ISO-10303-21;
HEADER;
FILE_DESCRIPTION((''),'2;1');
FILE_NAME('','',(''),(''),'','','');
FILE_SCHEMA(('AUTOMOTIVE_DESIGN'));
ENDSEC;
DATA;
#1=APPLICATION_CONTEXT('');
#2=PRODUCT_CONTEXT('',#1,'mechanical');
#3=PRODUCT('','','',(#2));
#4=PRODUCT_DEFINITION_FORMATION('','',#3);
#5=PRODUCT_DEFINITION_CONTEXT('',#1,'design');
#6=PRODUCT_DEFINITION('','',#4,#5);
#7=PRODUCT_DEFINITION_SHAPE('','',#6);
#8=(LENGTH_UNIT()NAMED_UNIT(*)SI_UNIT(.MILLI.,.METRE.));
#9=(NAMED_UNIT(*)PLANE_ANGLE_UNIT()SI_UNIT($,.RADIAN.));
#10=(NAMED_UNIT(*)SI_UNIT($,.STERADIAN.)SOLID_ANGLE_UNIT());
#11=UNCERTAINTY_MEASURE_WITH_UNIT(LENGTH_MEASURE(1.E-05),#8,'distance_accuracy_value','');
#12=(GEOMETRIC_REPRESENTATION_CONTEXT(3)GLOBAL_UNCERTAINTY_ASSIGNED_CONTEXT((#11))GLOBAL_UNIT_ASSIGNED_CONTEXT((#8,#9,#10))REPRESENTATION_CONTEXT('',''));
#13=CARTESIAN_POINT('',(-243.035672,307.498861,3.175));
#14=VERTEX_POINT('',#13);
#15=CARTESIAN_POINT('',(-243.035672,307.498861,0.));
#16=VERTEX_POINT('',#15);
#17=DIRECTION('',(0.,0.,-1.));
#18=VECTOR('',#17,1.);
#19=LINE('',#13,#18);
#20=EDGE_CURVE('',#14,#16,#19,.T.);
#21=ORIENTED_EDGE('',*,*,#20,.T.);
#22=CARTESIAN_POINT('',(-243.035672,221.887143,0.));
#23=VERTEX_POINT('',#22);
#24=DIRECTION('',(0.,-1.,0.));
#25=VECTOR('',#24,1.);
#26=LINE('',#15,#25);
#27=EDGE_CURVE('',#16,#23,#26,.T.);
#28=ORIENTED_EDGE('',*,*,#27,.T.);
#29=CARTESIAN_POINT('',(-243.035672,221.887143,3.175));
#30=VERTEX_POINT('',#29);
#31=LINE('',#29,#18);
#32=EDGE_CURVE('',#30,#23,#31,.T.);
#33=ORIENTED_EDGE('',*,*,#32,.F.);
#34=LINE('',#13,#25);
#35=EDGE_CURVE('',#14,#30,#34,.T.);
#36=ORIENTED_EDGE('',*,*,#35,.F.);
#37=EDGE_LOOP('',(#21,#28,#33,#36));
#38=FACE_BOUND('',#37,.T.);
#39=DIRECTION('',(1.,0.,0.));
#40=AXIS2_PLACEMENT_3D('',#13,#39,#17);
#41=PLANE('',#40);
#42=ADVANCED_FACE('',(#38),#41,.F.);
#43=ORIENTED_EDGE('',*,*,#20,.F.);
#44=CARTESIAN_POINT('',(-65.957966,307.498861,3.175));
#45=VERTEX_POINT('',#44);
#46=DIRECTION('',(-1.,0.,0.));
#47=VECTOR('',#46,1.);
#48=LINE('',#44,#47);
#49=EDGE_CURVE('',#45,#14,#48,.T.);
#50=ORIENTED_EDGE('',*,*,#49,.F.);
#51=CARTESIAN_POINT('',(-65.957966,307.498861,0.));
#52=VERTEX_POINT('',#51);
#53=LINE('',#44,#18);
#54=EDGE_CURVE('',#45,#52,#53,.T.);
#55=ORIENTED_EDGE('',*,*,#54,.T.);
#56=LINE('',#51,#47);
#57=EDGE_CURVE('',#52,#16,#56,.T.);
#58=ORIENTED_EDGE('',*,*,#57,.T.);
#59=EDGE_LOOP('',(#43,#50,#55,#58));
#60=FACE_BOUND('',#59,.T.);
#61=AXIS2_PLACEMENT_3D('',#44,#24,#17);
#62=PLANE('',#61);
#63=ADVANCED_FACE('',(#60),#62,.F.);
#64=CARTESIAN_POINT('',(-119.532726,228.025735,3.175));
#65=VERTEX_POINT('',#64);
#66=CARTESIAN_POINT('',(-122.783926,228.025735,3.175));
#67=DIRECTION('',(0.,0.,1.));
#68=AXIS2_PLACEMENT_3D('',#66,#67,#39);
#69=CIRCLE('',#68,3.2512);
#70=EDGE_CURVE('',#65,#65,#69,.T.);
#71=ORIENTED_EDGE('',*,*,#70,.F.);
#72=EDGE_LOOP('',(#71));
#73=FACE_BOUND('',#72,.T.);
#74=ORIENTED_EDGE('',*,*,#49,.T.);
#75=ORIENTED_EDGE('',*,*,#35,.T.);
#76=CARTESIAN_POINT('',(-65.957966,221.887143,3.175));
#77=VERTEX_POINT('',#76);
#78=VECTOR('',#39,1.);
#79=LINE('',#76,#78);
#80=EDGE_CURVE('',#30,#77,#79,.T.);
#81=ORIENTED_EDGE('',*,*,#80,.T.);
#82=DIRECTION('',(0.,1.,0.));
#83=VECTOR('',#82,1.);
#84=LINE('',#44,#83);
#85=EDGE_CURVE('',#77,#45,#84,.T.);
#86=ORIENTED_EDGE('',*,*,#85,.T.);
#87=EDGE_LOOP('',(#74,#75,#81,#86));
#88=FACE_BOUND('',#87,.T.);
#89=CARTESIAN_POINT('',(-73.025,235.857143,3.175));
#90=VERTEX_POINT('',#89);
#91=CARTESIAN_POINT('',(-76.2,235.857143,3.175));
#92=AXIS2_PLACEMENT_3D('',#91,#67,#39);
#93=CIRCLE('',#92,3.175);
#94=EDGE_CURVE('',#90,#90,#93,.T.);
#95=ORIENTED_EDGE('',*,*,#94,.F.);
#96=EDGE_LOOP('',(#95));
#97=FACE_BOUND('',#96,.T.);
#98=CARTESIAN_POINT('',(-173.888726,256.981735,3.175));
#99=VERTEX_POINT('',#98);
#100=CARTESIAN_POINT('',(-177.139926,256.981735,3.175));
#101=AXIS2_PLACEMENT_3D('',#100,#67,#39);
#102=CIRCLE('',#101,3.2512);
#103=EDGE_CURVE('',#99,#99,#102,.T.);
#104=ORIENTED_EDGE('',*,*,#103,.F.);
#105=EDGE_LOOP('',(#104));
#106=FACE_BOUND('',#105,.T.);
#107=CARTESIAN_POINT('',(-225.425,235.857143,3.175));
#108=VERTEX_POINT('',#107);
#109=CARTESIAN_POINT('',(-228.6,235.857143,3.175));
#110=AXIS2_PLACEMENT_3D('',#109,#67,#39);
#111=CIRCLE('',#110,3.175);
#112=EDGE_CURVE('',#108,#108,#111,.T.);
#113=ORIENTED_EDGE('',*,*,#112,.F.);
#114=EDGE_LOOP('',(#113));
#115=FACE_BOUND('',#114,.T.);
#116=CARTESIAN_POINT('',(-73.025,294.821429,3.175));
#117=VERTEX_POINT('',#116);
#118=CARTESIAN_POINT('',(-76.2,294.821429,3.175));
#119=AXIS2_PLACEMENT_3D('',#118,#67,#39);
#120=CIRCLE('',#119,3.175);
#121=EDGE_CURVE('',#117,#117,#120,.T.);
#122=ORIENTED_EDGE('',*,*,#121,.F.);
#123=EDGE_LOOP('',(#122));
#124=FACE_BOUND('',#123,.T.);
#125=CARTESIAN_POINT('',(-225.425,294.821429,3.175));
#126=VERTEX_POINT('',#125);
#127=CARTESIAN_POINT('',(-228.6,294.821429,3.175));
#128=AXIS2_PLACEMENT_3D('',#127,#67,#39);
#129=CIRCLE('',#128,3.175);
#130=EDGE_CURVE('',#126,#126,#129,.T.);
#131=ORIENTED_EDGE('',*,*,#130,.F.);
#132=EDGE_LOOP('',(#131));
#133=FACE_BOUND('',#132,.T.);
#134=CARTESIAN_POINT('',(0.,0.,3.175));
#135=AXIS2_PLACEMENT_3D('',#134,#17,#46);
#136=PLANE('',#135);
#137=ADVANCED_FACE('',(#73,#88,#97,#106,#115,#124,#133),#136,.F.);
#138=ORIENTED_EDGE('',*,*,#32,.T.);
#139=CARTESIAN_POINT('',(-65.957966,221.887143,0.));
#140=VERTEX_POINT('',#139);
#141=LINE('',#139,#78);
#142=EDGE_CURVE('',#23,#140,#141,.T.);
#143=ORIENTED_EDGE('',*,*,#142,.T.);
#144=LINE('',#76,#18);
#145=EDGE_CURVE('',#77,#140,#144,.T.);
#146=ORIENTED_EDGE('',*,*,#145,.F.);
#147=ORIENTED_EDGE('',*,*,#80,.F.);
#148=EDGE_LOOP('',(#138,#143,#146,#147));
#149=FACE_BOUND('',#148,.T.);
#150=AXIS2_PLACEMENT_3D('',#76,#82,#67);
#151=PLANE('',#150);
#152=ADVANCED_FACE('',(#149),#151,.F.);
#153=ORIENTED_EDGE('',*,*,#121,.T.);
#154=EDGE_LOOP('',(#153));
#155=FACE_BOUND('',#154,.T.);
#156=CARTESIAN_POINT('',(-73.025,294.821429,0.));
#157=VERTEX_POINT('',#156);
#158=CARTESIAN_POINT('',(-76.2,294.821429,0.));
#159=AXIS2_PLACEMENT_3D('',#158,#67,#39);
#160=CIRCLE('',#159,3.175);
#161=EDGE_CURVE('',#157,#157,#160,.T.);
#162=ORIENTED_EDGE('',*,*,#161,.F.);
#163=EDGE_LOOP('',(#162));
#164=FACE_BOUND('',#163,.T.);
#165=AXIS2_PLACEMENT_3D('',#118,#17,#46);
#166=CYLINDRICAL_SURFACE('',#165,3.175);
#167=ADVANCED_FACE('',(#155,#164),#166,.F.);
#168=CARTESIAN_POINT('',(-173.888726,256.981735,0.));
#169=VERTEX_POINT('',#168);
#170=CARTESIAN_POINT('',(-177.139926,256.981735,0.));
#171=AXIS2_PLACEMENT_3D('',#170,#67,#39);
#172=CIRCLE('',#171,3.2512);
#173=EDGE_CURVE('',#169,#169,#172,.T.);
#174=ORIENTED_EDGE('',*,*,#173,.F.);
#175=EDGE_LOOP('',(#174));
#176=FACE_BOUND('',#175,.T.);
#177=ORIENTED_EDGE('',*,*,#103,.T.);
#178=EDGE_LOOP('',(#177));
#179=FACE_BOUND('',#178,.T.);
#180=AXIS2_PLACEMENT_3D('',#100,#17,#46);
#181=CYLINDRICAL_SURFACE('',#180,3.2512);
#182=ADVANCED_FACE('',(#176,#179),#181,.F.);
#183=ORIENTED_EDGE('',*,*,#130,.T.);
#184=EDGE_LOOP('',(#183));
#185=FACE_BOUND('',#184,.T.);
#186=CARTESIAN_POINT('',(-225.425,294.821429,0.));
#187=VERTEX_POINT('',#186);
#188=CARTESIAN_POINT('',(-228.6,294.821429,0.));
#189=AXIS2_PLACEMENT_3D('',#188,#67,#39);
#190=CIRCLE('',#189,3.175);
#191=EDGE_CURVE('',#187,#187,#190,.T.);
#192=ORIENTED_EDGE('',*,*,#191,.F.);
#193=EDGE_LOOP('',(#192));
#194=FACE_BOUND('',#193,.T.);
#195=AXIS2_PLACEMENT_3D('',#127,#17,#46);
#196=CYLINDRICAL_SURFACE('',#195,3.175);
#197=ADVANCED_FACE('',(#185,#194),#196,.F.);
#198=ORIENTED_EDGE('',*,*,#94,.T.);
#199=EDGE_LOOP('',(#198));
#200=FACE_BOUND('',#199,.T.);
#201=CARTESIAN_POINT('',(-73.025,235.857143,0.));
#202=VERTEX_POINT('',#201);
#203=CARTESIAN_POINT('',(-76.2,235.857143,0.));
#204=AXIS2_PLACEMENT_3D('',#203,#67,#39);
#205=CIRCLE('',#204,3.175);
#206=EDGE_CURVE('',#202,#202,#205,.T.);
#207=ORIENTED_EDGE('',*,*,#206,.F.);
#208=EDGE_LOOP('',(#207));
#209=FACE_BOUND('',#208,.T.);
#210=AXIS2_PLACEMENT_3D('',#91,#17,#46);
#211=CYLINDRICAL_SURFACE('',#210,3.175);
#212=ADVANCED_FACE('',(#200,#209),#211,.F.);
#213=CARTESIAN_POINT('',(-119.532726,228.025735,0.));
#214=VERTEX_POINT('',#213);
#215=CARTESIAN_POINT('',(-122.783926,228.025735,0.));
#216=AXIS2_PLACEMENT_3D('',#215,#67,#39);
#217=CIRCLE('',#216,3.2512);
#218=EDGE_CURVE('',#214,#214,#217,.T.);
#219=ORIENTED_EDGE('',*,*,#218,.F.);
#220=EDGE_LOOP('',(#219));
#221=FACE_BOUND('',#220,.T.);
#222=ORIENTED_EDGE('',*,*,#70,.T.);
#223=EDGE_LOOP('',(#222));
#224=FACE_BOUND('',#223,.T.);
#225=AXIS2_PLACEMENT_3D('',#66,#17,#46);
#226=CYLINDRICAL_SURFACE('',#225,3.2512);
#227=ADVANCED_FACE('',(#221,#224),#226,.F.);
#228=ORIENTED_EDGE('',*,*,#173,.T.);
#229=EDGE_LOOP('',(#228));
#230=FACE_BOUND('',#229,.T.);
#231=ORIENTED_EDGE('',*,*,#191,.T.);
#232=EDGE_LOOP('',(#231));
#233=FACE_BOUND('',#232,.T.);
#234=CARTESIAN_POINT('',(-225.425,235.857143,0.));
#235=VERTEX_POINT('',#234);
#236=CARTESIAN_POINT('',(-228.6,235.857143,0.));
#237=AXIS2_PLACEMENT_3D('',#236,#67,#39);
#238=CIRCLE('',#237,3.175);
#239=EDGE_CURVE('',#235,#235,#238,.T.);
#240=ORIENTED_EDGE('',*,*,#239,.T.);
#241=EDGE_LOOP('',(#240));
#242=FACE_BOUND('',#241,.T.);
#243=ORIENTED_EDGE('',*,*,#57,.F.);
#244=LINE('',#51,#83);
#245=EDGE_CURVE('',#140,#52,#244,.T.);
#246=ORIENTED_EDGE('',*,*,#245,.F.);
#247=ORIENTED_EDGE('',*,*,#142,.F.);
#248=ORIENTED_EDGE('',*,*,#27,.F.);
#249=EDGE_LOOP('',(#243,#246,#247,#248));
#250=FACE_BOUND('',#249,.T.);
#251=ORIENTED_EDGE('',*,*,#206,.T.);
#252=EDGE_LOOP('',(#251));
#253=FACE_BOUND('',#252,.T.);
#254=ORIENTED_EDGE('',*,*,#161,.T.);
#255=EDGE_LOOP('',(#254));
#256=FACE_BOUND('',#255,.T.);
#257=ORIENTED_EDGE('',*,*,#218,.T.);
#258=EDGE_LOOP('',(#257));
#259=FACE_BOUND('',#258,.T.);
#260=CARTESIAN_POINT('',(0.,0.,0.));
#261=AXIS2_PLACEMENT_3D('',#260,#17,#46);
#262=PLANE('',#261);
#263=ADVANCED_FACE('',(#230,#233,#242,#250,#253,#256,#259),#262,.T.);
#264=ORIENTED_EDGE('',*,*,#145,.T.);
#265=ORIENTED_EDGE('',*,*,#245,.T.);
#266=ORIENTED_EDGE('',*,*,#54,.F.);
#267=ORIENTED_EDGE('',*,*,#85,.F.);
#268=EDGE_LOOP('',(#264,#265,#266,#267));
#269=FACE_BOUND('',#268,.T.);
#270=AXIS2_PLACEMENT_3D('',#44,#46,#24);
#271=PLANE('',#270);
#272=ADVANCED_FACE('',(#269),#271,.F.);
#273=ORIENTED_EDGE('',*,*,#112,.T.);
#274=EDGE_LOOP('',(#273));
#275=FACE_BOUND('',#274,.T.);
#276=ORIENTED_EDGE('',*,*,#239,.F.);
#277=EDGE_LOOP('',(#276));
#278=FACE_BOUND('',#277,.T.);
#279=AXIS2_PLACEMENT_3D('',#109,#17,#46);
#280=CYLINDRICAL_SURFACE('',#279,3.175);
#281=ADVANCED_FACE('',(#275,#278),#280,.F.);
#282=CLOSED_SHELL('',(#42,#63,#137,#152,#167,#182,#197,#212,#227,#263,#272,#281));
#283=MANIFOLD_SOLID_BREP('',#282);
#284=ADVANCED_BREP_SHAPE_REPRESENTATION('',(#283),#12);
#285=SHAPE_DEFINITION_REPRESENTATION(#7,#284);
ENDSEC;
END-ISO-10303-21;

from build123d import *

# Parameters (mm, degrees)
SKETCH1_W           = 177.077705322
SKETCH1_H           = 85.611718561
SKETCH1_R           = 3.175
SKETCH1_R_2         = 3.2512
BOSS_EXTRUDE1_DEPTH = 3.175


with BuildPart() as part:
    # Sketch1 → Boss-Extrude1 (new body)
    with BuildSketch(Plane.XY):
        with Locations((-154.496819091, 264.693002138)):
            Rectangle(SKETCH1_W, SKETCH1_H)
        with Locations((-76.2, 294.821428571)):
            Circle(SKETCH1_R, mode=Mode.SUBTRACT)
        with Locations((-76.2, 235.857142857)):
            Circle(SKETCH1_R, mode=Mode.SUBTRACT)
        with Locations((-228.6, 294.821428571)):
            Circle(SKETCH1_R, mode=Mode.SUBTRACT)
        with Locations((-228.6, 235.857142857)):
            Circle(SKETCH1_R, mode=Mode.SUBTRACT)
        with Locations((-122.783926369, 228.025735167)):
            Circle(SKETCH1_R_2, mode=Mode.SUBTRACT)
        with Locations((-177.139926369, 256.981735167)):
            Circle(SKETCH1_R_2, mode=Mode.SUBTRACT)
    extrude(amount=BOSS_EXTRUDE1_DEPTH)


solid = part.part
